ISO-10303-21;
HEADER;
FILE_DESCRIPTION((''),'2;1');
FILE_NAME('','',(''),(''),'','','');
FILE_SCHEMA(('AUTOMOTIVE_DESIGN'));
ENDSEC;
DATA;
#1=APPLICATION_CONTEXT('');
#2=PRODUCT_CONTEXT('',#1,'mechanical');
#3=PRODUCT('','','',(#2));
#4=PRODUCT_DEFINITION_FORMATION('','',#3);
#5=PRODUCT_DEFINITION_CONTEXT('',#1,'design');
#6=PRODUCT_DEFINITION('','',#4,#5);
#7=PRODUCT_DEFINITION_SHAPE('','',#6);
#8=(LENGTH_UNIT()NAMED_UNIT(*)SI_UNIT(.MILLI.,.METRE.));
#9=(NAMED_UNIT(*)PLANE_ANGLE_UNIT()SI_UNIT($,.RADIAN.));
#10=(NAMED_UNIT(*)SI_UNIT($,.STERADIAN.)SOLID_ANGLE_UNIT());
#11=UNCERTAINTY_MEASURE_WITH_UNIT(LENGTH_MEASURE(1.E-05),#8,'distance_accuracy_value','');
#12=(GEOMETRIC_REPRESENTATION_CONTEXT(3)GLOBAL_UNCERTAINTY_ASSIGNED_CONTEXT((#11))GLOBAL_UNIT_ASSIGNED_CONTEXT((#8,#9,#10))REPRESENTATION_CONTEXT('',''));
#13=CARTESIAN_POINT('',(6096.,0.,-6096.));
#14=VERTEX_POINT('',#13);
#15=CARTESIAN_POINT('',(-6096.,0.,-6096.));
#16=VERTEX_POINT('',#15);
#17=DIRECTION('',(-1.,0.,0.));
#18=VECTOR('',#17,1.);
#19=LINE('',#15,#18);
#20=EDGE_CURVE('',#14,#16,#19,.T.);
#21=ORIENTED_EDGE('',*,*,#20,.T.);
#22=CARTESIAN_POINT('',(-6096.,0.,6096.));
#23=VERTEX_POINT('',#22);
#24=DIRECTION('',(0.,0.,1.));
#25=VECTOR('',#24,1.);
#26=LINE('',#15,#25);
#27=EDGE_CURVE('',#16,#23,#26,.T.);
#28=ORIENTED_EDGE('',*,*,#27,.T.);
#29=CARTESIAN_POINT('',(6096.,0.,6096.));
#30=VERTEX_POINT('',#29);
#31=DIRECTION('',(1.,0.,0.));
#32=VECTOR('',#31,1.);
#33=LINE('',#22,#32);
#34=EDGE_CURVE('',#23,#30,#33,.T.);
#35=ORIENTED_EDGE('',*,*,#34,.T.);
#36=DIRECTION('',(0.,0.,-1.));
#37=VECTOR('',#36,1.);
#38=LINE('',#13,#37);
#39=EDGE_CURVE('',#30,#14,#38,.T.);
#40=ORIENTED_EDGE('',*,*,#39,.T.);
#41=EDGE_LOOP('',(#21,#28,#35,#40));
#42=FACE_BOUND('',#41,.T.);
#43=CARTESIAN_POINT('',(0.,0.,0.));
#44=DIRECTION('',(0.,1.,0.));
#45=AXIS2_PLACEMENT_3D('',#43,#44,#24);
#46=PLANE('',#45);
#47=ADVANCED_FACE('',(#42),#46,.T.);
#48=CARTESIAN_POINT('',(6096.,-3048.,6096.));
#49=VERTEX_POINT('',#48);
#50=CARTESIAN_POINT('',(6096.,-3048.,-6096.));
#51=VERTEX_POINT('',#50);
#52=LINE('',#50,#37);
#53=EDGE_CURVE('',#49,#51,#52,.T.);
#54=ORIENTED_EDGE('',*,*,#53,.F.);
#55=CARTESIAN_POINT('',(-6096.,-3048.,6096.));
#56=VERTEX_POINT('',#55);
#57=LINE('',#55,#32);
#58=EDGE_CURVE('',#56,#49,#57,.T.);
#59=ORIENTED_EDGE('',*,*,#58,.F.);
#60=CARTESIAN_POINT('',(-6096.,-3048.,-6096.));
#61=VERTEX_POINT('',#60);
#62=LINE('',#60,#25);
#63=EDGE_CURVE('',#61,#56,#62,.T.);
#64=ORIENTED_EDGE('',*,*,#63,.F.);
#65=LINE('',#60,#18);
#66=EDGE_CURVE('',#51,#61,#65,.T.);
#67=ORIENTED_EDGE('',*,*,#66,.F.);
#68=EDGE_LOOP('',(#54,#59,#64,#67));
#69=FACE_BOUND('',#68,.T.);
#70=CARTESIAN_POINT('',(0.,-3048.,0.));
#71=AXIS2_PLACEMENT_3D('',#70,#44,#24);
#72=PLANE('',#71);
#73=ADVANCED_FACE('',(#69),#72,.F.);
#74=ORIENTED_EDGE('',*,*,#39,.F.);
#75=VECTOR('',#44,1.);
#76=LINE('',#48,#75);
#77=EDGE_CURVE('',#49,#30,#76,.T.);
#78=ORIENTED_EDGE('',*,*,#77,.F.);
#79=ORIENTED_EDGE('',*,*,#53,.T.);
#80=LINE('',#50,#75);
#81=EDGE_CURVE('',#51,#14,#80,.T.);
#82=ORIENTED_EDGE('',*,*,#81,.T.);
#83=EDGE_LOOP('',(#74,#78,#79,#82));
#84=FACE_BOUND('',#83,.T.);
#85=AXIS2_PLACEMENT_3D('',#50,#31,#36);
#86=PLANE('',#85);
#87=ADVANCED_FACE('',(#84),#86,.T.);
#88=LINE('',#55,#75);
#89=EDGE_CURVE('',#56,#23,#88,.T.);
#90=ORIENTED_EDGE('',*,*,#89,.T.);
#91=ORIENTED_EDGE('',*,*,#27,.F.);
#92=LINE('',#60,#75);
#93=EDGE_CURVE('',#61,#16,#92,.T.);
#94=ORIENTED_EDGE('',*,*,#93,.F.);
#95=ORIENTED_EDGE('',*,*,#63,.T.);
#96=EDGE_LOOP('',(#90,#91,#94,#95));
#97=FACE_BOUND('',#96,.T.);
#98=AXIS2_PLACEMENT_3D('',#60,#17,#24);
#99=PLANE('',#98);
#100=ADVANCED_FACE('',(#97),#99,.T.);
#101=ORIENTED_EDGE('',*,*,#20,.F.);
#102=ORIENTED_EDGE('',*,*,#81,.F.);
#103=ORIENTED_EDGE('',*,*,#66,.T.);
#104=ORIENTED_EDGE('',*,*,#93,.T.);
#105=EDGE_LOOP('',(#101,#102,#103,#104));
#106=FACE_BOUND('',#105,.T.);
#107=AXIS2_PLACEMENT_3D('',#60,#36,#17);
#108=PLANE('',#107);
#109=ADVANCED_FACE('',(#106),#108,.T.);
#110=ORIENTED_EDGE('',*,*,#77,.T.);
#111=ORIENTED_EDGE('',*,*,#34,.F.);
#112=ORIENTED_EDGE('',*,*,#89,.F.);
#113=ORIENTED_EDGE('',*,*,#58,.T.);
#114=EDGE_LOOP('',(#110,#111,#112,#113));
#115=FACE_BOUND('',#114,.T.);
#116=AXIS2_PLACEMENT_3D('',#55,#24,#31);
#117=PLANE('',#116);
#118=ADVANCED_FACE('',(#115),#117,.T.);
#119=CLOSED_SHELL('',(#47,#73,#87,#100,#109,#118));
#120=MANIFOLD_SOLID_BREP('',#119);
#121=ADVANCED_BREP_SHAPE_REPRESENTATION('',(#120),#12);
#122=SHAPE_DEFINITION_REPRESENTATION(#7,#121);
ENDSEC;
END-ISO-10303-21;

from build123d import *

# Parameters (mm, degrees)
SKETCH1_W           = 12192
SKETCH1_H           = 12192
BOSS_EXTRUDE1_DEPTH = 3048


with BuildPart() as part:
    # Sketch1 → Boss-Extrude1 (new body)
    with BuildSketch(Plane(origin=(0, 0, 0), x_dir=(1, 0, 0), z_dir=(0, 1, 0))):
        Rectangle(SKETCH1_W, SKETCH1_H)
    extrude(amount=-BOSS_EXTRUDE1_DEPTH)


solid = part.part
